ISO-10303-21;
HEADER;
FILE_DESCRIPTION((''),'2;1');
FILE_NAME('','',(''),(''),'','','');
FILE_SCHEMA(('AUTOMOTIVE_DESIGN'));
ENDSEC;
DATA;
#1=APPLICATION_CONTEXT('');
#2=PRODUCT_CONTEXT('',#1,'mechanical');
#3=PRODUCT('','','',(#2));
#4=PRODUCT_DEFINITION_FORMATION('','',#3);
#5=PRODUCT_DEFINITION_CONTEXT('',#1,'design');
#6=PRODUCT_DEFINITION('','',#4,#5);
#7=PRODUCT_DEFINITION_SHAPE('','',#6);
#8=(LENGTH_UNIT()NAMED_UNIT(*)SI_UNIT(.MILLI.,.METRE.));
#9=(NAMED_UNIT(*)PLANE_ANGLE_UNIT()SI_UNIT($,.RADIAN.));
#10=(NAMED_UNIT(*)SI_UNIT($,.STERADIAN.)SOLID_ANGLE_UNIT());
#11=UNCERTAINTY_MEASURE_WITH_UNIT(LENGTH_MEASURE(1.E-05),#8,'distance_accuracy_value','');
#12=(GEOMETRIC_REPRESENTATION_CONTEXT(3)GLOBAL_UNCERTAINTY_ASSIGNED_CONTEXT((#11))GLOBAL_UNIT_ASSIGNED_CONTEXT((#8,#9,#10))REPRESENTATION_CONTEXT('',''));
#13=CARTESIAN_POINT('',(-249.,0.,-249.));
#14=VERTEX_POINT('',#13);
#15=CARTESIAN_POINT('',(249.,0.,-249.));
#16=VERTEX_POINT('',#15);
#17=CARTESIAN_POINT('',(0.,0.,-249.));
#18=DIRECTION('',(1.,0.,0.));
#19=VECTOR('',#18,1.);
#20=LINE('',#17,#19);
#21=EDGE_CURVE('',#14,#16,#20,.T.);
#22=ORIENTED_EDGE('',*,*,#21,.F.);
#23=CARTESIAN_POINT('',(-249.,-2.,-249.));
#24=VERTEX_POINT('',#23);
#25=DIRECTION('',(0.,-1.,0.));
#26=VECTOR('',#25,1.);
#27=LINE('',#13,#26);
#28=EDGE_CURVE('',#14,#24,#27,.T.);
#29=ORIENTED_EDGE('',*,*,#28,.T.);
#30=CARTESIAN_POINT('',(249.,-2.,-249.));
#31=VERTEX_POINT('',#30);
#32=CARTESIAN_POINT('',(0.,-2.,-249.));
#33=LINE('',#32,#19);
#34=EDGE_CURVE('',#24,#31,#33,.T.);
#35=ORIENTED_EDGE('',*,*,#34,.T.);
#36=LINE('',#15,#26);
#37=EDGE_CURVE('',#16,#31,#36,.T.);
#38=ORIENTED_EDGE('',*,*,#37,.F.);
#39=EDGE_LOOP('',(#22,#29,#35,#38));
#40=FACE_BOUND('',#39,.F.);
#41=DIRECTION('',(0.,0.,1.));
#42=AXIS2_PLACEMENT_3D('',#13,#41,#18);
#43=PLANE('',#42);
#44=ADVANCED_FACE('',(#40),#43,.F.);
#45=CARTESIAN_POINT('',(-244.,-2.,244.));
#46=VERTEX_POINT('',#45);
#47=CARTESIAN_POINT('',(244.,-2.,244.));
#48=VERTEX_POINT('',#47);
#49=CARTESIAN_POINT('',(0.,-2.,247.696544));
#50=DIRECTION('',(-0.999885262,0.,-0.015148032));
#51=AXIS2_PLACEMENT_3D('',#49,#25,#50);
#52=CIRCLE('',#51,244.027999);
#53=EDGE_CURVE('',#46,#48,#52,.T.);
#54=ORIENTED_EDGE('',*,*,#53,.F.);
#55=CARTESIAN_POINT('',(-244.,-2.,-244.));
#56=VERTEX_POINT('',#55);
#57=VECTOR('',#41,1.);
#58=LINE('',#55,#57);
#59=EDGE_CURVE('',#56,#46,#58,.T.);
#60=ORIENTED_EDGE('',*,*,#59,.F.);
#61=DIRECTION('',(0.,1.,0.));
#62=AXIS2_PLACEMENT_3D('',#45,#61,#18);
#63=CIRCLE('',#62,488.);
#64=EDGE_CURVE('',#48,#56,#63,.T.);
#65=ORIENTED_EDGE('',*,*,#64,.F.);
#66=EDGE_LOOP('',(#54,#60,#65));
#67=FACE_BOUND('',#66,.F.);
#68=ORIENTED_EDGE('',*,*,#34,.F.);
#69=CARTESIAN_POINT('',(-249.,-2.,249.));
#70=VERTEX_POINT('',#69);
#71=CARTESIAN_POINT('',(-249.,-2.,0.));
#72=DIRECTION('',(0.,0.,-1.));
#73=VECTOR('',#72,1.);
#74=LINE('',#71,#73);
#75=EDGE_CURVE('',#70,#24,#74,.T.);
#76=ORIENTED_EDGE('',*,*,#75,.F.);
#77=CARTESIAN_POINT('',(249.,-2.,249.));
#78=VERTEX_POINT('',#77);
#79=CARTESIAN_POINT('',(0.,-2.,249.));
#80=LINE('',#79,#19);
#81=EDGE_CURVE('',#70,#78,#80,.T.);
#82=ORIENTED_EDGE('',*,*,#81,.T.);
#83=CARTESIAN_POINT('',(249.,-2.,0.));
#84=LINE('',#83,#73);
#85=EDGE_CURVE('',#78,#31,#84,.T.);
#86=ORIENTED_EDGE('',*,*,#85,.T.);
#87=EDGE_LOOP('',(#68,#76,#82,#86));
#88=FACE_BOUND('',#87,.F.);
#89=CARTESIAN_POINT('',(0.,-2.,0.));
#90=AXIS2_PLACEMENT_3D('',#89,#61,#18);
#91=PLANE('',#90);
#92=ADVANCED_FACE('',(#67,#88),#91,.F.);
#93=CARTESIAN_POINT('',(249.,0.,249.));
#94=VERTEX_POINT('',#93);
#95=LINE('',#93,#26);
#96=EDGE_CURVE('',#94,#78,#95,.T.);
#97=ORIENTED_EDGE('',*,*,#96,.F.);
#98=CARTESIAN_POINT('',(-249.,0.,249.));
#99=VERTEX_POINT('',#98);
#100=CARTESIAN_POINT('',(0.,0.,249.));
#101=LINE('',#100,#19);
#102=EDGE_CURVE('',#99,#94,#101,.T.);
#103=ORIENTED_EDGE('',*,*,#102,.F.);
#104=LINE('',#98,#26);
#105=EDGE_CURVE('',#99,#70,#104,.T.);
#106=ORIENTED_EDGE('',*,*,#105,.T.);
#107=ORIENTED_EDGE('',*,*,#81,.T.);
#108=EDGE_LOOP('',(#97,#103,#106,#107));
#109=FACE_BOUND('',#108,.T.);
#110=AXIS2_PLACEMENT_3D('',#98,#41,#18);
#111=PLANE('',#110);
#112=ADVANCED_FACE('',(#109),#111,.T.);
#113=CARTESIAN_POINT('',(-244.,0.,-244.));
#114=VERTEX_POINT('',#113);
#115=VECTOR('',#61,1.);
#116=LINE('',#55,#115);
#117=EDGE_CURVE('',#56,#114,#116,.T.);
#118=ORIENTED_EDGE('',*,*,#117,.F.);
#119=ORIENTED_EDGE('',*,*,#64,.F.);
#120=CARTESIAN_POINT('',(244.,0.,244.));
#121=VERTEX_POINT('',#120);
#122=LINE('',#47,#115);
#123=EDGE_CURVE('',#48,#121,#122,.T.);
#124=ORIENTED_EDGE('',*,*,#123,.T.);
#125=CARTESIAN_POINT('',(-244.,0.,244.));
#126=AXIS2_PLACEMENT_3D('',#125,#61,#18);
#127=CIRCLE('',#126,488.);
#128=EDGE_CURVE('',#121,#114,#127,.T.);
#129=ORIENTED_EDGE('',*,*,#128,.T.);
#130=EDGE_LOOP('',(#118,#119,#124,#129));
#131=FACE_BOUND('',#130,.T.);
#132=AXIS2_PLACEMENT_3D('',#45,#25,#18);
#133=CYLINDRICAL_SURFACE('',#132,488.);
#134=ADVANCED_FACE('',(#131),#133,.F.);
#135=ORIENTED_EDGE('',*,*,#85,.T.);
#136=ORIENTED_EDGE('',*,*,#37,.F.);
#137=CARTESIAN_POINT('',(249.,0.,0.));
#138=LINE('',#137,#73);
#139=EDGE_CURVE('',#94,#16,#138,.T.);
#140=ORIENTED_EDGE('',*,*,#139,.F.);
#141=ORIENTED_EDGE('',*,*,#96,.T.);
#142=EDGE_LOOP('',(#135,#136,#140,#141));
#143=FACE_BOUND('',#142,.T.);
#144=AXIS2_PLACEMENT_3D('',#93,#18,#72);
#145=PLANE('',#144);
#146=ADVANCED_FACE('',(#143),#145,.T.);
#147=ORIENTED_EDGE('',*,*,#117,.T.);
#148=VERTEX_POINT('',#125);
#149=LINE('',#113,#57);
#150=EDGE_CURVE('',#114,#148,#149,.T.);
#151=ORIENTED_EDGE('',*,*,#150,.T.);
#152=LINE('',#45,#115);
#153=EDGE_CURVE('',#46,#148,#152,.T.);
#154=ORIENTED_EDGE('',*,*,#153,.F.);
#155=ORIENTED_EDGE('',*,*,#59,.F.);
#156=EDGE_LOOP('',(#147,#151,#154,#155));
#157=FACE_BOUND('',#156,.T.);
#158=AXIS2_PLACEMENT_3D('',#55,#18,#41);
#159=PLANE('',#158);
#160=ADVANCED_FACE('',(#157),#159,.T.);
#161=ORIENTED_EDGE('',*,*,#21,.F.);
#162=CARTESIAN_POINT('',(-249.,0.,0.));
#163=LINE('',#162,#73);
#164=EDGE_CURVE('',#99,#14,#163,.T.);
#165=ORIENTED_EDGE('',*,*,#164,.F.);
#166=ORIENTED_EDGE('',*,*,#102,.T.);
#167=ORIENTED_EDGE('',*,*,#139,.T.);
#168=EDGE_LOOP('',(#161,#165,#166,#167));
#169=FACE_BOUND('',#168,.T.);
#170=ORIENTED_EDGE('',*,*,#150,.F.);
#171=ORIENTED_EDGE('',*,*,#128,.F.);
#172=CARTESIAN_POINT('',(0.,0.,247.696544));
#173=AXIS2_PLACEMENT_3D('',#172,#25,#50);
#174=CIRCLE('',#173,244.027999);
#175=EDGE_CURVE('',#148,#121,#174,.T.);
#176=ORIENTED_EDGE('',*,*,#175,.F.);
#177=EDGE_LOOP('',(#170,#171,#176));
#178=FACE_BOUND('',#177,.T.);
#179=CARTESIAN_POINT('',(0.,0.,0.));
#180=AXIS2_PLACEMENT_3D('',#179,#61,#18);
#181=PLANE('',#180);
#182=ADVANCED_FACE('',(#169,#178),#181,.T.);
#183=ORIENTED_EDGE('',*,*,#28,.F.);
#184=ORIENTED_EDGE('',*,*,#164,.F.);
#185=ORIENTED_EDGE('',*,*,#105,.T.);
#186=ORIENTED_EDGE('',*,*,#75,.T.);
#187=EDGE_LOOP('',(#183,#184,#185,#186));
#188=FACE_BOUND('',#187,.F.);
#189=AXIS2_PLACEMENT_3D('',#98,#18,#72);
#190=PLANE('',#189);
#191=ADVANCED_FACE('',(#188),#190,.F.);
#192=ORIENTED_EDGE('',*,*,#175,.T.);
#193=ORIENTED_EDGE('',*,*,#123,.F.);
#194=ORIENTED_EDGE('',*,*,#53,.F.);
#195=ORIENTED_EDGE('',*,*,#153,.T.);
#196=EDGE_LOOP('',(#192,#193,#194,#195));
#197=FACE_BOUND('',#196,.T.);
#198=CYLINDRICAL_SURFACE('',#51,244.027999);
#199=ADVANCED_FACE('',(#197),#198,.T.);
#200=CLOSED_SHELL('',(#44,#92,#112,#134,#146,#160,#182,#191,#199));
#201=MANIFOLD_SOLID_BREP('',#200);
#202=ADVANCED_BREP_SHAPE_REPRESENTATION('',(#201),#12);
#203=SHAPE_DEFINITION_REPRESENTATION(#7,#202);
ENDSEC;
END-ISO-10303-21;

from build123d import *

# Parameters (mm, degrees)
SKIZZE1_W                       = 498
SKIZZE1_H                       = 498
AUFSATZ_LINEAR_AUSTRAGEN1_DEPTH = 2
SCHNITT_LINEAR_AUSTRAGEN2_DEPTH = 2


with BuildPart() as part:
    # Skizze1 → Aufsatz-Linear austragen1 (new body)
    with BuildSketch(Plane(origin=(0, 0, 0), x_dir=(1, 0, 0), z_dir=(0, 1, 0))):
        Rectangle(SKIZZE1_W, SKIZZE1_H)
    extrude(amount=-AUFSATZ_LINEAR_AUSTRAGEN1_DEPTH)

    # Skizze3 → Schnitt-Linear austragen2 (cut)
    with BuildSketch(Plane.XZ.offset(2)):
        with BuildLine():
            ThreePointArc((-244, 244), (0, 3.66854455), (244, 244))
            ThreePointArc((244, 244), (101.068109219, -101.068109219), (-244, -244))
            Line((-244, -244), (-244, 244))
        make_face()
    extrude(amount=-SCHNITT_LINEAR_AUSTRAGEN2_DEPTH, mode=Mode.SUBTRACT)


solid = part.part
